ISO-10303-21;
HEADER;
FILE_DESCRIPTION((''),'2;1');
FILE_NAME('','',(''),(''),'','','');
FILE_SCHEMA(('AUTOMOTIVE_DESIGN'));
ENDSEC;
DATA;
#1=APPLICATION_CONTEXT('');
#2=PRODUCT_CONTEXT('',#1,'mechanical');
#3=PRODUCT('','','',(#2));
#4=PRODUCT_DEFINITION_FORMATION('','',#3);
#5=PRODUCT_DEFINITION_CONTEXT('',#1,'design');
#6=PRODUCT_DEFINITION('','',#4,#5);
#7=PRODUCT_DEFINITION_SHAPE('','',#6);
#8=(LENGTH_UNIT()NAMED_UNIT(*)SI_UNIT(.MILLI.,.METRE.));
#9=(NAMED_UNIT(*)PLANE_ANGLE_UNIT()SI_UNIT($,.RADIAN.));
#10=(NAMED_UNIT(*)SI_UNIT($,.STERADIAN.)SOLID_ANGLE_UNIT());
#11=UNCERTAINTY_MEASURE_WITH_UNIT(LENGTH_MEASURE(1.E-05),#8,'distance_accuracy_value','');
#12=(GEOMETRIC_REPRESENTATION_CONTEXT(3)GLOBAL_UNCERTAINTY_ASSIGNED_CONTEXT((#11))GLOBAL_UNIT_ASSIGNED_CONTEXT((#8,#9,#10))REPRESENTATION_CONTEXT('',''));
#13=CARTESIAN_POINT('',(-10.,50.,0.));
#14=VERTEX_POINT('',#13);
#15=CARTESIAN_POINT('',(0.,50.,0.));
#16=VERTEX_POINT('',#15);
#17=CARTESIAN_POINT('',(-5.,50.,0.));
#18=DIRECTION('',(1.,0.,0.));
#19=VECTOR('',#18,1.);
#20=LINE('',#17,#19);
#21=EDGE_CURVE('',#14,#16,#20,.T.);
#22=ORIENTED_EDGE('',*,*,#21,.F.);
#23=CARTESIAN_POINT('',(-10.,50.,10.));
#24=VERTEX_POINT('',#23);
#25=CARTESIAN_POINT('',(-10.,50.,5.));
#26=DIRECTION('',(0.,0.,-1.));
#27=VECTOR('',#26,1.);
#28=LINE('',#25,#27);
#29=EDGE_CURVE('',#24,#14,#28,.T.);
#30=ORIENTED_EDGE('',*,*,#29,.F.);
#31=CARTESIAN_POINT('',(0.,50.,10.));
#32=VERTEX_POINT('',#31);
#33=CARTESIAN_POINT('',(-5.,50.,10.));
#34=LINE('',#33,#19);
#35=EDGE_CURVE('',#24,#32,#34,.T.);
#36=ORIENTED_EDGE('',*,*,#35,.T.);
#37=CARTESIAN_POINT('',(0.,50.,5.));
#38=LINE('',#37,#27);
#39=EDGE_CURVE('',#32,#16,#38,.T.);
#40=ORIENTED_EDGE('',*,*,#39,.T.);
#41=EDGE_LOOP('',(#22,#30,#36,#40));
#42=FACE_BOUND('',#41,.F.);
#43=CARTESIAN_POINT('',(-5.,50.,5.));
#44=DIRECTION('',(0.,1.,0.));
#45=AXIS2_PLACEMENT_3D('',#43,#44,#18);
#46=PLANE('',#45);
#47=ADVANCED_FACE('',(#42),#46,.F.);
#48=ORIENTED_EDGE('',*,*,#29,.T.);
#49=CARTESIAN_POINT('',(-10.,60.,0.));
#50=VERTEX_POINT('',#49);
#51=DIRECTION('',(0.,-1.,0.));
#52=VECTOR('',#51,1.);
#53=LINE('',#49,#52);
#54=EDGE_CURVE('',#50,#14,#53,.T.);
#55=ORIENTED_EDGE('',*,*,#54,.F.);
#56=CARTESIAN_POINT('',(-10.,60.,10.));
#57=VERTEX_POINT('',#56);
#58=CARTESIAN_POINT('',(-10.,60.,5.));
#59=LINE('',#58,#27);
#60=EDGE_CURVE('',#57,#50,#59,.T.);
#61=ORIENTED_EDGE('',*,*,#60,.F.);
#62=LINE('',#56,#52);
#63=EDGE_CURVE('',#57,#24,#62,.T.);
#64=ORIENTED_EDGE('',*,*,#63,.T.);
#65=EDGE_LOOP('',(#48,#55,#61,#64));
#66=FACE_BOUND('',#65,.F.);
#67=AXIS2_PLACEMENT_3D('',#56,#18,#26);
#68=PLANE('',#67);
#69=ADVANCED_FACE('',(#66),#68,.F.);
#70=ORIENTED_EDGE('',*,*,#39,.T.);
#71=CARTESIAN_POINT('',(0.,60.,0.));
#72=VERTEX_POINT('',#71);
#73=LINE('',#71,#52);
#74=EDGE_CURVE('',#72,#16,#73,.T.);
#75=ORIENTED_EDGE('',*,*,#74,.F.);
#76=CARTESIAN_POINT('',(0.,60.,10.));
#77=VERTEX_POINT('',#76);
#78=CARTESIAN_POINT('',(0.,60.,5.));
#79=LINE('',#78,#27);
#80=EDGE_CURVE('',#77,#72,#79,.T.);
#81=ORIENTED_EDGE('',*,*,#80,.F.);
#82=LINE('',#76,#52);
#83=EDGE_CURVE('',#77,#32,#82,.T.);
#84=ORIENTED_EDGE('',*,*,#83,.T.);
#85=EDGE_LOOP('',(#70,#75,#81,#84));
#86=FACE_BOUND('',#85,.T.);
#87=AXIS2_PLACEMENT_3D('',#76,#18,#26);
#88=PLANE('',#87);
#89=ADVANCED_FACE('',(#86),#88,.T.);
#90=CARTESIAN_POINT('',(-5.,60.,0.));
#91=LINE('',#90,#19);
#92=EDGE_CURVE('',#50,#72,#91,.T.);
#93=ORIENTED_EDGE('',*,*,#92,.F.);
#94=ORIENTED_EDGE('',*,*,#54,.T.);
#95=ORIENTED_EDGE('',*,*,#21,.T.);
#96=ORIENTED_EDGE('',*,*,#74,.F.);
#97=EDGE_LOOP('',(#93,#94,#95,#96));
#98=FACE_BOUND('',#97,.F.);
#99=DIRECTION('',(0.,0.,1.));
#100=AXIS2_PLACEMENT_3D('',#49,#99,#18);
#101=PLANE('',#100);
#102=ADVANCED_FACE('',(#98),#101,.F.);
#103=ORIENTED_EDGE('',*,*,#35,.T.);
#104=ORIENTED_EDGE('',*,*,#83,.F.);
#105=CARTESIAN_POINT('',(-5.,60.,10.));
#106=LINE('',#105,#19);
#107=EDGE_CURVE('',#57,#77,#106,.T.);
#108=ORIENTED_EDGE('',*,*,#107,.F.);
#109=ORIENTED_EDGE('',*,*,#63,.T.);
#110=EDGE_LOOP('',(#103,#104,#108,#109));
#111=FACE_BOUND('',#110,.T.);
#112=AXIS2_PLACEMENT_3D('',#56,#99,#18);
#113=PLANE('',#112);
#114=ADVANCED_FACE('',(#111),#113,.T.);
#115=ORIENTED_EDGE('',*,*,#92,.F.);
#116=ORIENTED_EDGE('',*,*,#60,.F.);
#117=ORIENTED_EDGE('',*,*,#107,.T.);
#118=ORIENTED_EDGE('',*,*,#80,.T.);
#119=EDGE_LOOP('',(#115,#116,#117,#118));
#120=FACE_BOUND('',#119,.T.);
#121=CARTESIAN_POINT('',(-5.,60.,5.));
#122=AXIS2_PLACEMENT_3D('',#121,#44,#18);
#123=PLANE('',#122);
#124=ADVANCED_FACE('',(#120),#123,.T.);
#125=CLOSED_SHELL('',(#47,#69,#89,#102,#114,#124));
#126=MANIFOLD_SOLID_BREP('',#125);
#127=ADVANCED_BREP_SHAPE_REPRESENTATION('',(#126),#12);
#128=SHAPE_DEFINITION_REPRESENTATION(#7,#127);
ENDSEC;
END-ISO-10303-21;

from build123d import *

# Parameters (mm, degrees)
SKETCH3_W            = 10
SKETCH3_H            = 10
ALIGNMENT_CUBE_DEPTH = 10


with BuildPart() as part:
    # Sketch3 → alignment Cube (new body)
    with BuildSketch(Plane(origin=(0, 60, 0), x_dir=(1, 0, 0), z_dir=(0, 1, 0))):
        with Locations((-5, -5)):
            Rectangle(SKETCH3_W, SKETCH3_H)
    extrude(amount=-ALIGNMENT_CUBE_DEPTH)


solid = part.part
